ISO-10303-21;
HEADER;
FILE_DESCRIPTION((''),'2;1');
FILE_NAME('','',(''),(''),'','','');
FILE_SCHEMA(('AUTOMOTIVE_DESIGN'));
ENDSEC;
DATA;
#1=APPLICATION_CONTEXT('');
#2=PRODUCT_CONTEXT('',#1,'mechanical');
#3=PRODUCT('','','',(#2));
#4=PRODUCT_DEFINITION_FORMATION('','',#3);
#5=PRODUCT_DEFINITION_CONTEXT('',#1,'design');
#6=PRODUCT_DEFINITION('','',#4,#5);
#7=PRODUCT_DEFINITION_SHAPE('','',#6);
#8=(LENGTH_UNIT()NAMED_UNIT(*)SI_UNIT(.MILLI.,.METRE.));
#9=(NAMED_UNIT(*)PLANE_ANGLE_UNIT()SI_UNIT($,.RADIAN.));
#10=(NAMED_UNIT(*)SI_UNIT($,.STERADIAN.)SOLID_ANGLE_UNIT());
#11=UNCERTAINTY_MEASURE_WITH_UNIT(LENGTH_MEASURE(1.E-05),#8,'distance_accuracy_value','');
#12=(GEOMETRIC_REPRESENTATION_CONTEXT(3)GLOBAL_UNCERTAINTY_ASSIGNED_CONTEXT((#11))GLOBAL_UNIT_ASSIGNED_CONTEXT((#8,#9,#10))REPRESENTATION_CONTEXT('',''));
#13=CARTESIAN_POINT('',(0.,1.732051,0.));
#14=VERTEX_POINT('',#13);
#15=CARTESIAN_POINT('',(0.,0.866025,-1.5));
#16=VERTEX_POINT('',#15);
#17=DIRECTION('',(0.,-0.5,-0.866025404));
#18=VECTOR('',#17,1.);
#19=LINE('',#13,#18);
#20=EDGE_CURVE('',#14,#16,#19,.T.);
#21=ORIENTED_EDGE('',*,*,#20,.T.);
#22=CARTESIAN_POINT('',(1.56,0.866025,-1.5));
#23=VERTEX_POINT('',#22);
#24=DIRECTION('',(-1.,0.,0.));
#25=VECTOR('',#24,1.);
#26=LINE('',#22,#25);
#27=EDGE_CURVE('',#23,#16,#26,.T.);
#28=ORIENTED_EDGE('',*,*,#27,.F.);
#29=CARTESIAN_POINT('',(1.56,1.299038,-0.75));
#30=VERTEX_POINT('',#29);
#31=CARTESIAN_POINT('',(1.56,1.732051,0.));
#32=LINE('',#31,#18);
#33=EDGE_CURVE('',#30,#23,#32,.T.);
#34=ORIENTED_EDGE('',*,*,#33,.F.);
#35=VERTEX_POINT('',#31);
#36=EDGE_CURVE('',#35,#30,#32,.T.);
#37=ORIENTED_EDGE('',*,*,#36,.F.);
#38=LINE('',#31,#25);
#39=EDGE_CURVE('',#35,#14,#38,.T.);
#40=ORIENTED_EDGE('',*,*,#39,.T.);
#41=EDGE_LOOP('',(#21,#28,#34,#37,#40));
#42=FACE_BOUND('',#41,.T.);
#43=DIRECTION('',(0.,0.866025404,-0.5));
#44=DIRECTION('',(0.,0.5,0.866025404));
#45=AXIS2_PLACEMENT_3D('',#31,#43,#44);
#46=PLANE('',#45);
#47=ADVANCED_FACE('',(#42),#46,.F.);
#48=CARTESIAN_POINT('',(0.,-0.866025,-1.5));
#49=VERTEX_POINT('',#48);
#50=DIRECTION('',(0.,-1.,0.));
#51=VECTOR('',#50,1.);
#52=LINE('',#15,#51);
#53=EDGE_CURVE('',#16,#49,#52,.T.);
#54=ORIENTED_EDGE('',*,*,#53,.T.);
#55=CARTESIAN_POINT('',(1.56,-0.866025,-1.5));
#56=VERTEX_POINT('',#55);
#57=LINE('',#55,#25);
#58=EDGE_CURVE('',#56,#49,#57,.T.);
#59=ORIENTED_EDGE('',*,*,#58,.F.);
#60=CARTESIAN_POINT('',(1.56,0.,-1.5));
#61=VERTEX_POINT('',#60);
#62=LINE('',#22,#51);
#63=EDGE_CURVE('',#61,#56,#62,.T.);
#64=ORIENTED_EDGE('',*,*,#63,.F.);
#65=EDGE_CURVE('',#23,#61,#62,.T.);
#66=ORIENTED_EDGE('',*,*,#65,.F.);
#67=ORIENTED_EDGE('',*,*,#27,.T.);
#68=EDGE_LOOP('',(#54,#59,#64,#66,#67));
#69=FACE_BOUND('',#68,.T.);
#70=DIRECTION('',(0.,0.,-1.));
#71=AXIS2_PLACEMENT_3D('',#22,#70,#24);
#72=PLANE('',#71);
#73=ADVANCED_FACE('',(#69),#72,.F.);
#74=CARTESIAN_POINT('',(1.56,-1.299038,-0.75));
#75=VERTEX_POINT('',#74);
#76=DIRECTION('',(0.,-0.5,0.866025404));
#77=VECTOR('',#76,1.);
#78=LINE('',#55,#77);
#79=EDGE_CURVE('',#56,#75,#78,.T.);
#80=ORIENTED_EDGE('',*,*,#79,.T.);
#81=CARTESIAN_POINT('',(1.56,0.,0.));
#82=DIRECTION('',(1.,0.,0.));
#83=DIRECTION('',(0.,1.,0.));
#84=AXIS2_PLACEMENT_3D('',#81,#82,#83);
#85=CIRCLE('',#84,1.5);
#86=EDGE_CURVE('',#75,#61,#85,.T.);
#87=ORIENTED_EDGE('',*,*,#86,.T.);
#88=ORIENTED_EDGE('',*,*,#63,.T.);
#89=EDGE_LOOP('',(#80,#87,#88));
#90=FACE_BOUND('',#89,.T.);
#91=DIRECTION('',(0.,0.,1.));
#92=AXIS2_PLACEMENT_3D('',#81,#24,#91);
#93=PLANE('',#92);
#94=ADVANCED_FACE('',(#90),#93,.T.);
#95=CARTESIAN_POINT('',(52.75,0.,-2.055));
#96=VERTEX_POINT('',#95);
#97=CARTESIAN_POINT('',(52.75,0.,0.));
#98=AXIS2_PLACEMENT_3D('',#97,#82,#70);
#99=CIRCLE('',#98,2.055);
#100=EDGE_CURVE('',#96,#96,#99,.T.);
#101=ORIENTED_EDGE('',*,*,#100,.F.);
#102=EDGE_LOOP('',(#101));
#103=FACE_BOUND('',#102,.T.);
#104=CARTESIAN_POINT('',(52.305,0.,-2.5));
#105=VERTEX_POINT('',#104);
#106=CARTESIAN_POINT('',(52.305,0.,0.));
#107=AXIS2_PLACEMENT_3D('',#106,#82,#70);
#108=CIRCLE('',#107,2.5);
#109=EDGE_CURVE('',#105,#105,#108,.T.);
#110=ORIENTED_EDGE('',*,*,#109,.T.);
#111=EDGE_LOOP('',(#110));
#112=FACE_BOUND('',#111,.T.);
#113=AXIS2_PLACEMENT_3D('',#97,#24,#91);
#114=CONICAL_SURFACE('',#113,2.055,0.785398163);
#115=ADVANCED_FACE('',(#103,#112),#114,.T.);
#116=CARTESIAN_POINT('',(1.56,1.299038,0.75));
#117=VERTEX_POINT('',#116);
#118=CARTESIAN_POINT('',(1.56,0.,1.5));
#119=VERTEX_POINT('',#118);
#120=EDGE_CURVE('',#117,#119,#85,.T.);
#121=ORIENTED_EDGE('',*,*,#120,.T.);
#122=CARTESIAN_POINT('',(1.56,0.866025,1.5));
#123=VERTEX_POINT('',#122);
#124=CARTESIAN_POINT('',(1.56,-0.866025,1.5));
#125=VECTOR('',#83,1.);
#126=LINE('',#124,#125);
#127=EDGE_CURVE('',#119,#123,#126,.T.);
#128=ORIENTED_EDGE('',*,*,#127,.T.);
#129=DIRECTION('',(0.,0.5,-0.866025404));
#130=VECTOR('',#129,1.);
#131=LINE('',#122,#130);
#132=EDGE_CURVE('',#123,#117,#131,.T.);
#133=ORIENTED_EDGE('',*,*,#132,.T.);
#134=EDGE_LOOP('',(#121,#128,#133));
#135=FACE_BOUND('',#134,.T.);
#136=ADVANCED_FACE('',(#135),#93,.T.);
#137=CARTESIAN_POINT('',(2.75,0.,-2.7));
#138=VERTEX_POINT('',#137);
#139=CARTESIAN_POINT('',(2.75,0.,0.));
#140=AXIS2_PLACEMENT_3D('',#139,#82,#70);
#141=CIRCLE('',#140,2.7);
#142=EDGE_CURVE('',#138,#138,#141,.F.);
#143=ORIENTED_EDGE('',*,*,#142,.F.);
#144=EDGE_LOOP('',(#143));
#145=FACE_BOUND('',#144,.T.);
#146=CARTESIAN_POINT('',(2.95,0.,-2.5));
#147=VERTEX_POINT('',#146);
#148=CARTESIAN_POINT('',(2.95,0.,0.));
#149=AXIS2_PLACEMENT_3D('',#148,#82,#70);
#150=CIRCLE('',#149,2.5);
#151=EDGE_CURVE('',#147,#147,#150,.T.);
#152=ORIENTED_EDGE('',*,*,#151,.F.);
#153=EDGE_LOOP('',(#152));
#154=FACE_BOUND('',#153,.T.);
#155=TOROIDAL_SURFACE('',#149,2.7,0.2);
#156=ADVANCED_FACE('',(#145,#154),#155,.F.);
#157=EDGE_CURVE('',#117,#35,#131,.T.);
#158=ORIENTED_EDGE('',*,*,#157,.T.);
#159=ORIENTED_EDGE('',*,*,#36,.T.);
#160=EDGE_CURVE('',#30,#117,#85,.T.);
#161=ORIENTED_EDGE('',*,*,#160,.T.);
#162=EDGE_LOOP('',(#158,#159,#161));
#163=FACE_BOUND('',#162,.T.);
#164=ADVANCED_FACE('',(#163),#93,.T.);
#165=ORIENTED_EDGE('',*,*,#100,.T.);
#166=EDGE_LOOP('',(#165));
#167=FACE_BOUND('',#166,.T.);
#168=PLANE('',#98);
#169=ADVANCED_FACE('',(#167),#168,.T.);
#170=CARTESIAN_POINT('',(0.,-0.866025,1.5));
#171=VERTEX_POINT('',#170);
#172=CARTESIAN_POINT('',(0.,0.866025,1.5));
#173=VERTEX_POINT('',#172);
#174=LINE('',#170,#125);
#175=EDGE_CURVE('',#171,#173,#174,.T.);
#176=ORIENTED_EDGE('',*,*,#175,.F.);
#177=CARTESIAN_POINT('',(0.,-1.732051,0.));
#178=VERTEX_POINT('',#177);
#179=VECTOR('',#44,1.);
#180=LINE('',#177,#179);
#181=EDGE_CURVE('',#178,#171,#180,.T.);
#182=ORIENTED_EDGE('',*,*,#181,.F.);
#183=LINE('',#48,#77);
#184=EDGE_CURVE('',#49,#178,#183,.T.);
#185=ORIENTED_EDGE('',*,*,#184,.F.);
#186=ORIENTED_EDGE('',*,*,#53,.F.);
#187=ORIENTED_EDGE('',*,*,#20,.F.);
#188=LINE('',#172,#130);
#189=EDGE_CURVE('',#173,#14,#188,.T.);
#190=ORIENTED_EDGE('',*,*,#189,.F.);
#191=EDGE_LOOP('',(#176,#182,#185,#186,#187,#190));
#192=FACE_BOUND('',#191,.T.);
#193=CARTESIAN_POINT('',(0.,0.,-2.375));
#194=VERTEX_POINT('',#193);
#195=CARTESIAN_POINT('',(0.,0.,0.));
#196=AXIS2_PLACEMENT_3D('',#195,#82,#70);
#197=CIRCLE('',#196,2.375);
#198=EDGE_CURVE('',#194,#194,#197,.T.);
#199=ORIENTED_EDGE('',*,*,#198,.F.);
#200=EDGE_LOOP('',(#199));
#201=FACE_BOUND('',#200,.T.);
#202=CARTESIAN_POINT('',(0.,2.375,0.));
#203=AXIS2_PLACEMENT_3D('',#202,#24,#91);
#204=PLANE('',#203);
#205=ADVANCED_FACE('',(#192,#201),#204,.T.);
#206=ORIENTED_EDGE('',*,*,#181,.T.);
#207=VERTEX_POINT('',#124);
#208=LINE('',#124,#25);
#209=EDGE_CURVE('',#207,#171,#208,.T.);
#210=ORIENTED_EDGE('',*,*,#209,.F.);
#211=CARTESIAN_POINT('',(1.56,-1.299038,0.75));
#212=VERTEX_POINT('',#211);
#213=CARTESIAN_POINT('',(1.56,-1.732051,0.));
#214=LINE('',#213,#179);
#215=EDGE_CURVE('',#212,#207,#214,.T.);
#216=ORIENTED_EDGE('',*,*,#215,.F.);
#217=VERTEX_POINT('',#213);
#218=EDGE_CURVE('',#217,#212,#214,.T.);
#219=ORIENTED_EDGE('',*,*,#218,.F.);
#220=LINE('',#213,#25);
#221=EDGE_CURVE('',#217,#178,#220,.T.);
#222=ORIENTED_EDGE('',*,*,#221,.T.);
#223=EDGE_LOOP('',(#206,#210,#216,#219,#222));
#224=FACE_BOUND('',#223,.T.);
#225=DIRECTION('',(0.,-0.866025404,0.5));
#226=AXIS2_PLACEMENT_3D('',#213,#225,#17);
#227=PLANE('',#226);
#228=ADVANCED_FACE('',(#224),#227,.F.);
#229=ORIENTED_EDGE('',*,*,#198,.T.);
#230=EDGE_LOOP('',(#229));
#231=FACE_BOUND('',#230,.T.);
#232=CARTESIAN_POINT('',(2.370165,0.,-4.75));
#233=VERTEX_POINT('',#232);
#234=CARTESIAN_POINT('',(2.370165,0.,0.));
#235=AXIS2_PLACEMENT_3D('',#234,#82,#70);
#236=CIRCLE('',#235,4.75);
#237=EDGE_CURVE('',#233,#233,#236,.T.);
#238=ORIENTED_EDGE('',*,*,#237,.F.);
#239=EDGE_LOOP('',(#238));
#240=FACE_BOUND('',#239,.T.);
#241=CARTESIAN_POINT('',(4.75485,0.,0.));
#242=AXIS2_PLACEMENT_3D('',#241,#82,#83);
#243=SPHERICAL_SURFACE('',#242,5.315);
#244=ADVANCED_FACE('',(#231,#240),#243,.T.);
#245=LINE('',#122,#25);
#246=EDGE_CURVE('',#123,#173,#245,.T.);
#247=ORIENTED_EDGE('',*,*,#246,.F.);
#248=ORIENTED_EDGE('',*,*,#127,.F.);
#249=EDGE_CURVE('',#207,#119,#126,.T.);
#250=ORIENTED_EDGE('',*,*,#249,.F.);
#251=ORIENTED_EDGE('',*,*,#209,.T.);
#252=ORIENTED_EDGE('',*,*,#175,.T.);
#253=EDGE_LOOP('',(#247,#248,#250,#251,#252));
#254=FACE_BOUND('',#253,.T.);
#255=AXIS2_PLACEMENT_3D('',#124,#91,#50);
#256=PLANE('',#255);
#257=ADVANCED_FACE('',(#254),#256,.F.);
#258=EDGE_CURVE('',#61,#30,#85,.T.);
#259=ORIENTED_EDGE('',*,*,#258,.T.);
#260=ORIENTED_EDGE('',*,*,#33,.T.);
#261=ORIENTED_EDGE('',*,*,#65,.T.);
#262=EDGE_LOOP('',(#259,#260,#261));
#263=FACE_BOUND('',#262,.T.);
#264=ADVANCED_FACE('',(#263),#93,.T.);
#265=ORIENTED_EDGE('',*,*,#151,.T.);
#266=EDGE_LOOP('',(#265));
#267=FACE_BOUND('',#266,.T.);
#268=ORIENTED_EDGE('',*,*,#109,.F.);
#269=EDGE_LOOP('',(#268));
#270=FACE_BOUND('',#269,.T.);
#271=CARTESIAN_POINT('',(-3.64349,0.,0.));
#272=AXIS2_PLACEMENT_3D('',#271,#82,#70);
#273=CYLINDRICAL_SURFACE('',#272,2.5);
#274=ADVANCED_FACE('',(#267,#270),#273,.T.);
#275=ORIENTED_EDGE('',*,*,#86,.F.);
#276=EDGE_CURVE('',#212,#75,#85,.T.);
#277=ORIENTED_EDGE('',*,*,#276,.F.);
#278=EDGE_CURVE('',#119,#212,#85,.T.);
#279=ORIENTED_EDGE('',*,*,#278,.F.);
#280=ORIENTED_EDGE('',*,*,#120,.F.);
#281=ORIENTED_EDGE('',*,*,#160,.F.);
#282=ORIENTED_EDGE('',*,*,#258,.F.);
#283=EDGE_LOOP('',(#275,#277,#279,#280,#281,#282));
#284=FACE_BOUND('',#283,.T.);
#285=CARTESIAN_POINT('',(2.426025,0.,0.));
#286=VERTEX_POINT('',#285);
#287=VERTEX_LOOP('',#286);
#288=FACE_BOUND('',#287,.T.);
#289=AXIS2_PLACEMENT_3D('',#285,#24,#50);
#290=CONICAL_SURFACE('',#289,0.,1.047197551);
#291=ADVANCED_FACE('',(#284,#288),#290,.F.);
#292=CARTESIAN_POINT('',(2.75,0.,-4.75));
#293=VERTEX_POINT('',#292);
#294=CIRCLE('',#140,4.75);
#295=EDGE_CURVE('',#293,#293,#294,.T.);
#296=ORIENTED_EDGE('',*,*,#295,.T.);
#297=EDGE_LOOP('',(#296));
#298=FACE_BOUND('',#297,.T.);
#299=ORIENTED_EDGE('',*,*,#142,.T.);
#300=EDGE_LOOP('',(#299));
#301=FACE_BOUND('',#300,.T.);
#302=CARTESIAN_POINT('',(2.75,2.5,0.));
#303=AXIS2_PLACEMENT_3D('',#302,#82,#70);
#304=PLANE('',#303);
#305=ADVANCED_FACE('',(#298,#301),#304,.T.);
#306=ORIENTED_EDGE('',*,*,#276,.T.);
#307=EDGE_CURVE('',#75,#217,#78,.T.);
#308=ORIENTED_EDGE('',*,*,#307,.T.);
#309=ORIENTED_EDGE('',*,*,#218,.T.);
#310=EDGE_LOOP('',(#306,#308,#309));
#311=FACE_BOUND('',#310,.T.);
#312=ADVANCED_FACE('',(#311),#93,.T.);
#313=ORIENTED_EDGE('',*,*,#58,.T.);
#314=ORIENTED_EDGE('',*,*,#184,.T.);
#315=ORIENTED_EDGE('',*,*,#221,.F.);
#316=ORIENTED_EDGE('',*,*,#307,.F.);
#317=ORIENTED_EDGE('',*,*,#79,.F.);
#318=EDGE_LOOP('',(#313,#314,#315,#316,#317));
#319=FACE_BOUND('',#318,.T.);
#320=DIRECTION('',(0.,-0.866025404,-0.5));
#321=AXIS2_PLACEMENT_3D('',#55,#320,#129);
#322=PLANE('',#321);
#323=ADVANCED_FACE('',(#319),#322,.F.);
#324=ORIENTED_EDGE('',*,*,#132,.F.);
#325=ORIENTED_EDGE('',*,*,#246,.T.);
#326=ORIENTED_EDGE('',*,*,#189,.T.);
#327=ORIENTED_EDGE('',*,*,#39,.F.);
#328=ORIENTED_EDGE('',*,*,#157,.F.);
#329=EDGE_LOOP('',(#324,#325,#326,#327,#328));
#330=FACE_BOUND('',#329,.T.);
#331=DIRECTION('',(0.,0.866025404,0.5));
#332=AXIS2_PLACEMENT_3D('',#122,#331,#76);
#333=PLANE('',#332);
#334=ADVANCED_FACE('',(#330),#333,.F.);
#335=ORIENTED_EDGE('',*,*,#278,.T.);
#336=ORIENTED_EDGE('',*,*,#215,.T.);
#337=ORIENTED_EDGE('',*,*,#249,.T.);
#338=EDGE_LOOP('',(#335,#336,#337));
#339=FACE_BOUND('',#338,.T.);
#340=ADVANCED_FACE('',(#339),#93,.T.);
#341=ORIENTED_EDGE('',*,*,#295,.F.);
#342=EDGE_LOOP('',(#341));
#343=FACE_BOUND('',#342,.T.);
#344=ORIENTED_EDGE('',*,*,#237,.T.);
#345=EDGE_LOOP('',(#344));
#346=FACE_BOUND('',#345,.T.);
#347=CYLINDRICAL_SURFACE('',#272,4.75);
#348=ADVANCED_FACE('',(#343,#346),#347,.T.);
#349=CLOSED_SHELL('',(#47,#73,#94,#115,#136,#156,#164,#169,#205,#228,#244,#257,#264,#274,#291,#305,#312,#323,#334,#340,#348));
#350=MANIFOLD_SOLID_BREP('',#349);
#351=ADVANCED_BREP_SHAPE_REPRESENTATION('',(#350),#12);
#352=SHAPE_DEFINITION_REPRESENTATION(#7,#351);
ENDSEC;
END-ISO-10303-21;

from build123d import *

# Parameters (mm, degrees)
FILLET_1_R  = 0.2
HEX_2_DEPTH = 1.56


with BuildPart() as part:
    # Эскиз1 → Body (revolve)
    with BuildSketch(Plane.XY):
        with BuildLine():
            Line((0, 2.375), (0, 0))
            Line((0, 0), (52.75, 0))
            Line((52.75, 0), (52.75, 2.055))
            Line((52.75, 2.055), (52.305, 2.5))
            Line((52.305, 2.5), (2.75, 2.5))
            Line((2.75, 2.5), (2.75, 4.75))
            Line((2.75, 4.75), (2.370164642, 4.75))
            ThreePointArc((2.370164642, 4.75), (0.992749859, 3.754440885), (0, 2.375))
        make_face()
    revolve(axis=Axis((-3.643489966, 0, 0), (-1, 0, 0)))

    # Скругление1
    fillet_1_edges = [part.edges().sort_by_distance(p)[0] for p in [
        (2.75, -2.5, 0),
    ]]
    fillet(fillet_1_edges, radius=FILLET_1_R)

    # Эскиз2 → Вырез-Повернуть1 (revolve, cut)
    with BuildSketch(Plane.XY):
        Polygon((0, 0), (0, 1.5), (1.56, 1.5), (2.426025404, 0), align=None)
    revolve(axis=Axis((2.426025404, 0, 0), (-1, 0, 0)), mode=Mode.SUBTRACT)

    # Эскиз3 → Hex 2 (cut)
    with BuildSketch(Plane.ZY):
        Polygon((-1.5, -0.866025404), (0, -1.732050808), (1.5, -0.866025404), (1.5, 0.866025404), (0, 1.732050808), (-1.5, 0.866025404), align=None)
    extrude(amount=-HEX_2_DEPTH, mode=Mode.SUBTRACT)


solid = part.part
